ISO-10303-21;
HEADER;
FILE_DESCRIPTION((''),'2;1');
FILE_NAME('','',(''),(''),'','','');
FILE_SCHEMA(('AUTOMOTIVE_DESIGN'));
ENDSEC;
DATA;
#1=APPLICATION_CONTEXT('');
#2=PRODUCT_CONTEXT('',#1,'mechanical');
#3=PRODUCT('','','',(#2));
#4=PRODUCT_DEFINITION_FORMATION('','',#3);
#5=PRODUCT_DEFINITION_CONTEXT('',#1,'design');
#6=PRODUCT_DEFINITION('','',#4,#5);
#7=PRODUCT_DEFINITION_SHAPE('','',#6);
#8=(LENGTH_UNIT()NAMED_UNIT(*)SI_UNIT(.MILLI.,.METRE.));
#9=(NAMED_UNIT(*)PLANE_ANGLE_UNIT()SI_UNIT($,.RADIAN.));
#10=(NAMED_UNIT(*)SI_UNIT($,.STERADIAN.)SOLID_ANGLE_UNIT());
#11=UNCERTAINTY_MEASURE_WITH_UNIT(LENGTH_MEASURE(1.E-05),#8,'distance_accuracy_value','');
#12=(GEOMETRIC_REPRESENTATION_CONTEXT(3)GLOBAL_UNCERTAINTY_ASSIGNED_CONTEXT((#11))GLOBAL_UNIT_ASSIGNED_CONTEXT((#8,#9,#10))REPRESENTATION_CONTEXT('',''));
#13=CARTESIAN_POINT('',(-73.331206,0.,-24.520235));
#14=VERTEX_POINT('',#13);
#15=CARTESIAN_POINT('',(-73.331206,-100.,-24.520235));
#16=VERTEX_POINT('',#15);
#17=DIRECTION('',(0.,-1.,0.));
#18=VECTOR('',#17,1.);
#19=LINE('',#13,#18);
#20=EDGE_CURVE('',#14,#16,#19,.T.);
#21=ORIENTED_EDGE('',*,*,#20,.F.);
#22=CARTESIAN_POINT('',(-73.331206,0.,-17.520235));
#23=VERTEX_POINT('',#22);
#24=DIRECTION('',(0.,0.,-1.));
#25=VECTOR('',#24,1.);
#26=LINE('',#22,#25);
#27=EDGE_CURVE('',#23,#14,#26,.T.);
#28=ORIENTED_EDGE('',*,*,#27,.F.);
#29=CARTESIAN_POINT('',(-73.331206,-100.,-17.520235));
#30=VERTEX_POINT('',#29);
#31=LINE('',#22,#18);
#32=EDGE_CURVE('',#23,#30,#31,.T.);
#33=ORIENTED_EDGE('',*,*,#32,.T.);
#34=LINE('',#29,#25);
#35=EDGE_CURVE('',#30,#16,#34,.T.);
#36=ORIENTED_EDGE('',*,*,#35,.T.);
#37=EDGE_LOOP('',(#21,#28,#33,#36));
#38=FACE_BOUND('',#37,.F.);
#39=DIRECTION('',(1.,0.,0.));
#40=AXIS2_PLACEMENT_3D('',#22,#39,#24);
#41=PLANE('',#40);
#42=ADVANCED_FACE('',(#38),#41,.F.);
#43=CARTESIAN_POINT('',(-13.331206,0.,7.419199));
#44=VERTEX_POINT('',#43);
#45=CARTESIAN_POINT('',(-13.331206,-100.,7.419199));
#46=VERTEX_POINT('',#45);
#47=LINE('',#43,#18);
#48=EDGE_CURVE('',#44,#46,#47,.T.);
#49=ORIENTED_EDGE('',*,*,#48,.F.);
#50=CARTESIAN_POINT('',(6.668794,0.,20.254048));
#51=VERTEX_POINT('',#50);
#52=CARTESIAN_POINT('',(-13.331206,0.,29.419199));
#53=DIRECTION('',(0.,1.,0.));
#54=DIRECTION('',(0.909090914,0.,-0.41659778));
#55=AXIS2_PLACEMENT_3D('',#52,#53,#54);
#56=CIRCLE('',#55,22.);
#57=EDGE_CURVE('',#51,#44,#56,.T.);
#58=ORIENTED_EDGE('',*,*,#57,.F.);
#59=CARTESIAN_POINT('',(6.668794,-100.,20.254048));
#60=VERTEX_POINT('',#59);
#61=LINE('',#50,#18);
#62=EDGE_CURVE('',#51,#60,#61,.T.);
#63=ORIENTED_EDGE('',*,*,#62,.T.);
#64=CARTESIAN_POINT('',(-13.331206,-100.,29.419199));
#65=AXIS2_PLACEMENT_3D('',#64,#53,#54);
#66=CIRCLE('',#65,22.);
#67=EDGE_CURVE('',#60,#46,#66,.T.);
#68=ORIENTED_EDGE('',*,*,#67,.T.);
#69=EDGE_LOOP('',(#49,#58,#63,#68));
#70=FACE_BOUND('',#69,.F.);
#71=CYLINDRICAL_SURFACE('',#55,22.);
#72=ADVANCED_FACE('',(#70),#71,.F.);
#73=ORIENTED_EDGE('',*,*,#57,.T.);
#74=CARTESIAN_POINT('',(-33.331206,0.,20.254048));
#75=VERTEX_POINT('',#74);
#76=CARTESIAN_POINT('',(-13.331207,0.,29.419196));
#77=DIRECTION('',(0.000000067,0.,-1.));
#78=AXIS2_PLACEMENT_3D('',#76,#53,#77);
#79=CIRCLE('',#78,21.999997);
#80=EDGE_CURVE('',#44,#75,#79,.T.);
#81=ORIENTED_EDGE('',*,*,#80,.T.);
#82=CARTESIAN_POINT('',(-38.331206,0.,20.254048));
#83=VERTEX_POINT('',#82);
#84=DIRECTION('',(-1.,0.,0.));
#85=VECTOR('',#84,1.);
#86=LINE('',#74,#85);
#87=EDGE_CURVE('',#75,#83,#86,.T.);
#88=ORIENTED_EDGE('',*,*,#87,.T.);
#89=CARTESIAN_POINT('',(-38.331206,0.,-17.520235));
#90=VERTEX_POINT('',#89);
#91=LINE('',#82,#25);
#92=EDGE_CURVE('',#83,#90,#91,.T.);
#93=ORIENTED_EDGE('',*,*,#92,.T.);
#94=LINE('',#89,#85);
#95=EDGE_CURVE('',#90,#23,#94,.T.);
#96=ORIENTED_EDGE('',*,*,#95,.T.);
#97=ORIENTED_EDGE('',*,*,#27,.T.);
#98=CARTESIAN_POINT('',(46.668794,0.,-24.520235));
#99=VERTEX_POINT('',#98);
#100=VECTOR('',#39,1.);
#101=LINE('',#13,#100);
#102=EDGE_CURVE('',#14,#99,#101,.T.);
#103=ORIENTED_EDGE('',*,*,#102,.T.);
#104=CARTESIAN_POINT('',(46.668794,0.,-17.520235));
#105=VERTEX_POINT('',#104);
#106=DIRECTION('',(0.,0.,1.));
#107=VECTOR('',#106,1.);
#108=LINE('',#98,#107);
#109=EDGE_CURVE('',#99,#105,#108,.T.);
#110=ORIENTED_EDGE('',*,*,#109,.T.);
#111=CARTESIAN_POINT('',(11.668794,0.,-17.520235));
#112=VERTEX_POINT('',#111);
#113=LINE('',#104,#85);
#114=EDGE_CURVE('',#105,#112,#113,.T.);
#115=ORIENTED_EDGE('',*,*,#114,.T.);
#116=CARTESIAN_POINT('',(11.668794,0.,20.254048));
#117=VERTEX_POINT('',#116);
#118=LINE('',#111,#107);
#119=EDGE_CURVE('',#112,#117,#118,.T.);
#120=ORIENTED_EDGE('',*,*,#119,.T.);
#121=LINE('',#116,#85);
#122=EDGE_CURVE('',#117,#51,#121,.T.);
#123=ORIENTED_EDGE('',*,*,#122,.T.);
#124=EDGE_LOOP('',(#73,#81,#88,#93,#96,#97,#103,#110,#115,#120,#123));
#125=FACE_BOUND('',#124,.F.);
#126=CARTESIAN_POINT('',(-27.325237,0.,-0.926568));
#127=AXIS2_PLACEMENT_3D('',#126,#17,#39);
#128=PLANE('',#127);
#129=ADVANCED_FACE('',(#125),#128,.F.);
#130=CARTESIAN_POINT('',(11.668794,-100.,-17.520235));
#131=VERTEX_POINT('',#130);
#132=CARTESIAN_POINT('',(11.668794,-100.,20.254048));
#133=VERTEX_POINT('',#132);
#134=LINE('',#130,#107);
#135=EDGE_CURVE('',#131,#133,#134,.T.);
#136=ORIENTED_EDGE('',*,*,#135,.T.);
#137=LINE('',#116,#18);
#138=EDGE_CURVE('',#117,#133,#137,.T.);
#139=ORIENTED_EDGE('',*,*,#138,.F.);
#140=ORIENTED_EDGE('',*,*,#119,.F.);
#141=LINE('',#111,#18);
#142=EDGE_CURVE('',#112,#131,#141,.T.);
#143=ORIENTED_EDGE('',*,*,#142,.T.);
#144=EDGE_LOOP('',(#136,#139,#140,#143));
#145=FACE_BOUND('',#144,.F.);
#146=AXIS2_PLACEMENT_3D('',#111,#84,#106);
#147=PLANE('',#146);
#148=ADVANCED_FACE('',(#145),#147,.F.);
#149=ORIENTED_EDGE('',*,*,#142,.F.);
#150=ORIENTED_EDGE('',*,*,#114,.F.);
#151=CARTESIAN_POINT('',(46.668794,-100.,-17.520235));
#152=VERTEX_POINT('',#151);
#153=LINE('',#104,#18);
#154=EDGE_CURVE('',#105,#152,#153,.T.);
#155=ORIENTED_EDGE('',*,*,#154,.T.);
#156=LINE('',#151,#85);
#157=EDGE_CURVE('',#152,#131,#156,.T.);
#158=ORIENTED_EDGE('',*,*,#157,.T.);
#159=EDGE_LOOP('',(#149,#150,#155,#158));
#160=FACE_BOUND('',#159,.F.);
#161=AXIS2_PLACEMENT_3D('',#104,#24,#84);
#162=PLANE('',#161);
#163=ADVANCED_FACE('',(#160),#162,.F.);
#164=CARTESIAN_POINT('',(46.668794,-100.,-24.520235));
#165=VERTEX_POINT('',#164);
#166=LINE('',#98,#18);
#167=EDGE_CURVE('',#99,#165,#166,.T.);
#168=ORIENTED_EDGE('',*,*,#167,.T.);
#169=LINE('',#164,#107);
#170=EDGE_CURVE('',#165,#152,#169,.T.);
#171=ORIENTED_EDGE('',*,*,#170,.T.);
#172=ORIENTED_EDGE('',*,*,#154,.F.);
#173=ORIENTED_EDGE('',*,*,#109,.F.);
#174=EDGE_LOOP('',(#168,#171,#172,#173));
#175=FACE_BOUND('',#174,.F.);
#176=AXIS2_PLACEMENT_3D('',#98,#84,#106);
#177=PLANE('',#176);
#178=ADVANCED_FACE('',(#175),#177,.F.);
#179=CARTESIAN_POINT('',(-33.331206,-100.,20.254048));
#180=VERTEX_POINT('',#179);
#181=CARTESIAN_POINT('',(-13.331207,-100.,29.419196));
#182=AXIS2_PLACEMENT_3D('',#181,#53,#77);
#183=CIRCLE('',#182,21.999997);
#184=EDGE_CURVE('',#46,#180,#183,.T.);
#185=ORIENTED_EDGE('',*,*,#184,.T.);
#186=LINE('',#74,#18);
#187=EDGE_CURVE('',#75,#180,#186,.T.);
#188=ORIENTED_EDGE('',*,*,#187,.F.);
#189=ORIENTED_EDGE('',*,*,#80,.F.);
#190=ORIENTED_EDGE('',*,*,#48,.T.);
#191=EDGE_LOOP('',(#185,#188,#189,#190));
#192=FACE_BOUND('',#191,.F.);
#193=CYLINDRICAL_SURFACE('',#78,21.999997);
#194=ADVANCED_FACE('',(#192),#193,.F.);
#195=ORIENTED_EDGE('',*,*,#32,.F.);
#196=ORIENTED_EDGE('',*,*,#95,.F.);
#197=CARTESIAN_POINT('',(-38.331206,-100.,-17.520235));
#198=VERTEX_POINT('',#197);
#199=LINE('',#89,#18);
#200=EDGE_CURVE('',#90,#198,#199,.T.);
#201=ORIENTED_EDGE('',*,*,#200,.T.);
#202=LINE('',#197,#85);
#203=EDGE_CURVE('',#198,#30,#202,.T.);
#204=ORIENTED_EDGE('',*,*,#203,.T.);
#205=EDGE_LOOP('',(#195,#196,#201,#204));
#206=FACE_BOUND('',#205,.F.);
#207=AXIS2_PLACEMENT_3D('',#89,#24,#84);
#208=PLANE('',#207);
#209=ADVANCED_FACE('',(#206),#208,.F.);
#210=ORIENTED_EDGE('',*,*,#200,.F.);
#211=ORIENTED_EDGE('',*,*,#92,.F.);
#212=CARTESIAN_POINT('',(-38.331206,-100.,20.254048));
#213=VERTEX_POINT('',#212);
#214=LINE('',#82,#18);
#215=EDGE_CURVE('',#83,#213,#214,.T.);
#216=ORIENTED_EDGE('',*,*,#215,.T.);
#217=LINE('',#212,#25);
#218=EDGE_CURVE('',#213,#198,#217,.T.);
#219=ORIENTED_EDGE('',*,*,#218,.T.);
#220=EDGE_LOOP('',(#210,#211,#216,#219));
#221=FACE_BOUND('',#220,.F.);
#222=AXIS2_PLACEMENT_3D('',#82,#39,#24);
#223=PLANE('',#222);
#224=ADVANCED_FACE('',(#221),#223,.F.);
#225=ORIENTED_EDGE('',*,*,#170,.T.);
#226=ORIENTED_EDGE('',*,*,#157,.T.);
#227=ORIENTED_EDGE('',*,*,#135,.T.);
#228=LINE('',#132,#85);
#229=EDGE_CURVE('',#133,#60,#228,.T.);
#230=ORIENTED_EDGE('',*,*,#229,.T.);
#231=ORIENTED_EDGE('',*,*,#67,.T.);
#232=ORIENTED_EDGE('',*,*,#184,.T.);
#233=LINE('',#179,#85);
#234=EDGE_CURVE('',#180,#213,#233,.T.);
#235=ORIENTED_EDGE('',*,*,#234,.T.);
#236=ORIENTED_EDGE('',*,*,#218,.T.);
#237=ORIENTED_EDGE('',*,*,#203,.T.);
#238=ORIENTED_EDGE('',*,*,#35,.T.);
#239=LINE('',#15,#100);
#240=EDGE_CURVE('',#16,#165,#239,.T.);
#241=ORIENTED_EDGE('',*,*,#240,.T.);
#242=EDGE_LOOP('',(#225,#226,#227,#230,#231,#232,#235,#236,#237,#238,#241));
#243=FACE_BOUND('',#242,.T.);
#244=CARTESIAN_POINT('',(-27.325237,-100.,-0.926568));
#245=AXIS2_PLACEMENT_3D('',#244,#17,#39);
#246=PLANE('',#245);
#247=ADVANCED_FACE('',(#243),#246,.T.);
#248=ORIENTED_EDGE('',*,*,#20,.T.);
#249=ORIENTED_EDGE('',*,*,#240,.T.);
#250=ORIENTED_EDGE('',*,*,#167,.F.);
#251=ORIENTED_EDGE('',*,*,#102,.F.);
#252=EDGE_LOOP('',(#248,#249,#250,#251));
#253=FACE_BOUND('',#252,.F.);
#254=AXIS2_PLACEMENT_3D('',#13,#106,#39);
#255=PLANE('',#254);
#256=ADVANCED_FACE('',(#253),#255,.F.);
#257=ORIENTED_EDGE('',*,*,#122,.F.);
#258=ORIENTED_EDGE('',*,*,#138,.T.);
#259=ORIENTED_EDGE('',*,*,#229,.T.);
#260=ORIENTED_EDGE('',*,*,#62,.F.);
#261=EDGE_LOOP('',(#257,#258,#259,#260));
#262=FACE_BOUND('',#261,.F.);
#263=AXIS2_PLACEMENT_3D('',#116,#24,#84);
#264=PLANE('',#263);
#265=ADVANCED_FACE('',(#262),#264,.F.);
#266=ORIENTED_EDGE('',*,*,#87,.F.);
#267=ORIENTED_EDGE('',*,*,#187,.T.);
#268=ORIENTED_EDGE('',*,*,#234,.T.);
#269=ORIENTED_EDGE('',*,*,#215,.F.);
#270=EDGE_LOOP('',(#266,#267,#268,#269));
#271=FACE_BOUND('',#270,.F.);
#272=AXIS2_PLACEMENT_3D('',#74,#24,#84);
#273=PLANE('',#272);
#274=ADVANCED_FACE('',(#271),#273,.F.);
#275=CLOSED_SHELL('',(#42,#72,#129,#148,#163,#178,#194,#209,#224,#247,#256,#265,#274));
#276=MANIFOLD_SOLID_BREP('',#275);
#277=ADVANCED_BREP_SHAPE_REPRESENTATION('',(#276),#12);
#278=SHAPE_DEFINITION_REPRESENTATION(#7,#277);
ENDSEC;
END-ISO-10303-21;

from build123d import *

# Parameters (mm, degrees)
F1_DEPTH = 100


with BuildPart() as f1:
    # F0 (on Front) → F1 (new body)
    with BuildSketch(Plane.XZ):
        with BuildLine():
            Line((-38.331206, 20.254048), (-38.331206, -17.520235))
            Line((-38.331206, -17.520235), (-13.331206, -17.520235))
            Line((-13.331206, -17.520235), (-13.331206, 7.419199))
            ThreePointArc((-13.331206, 7.419199), (-25.213266, 10.90389), (-33.331206, 20.254048))
            Line((-33.331206, 20.254048), (-38.331206, 20.254048))
        make_face()
        with BuildLine():
            Line((-13.331206, 7.419199), (-13.331206, -17.520235))
            Line((-13.331206, -17.520235), (11.668794, -17.520235))
            Line((11.668794, -17.520235), (11.668794, 20.254048))
            Line((11.668794, 20.254048), (6.668794, 20.254048))
            ThreePointArc((6.668794, 20.254048), (-1.449147, 10.90389), (-13.331206, 7.419199))
        make_face()
        Polygon((-38.331206, -17.520235), (-73.331206, -17.520235), (-73.331206, -24.520235), (46.668794, -24.520235), (46.668794, -17.520235), (11.668794, -17.520235), (-13.331206, -17.520235), align=None)
    extrude(amount=F1_DEPTH)


solid = f1.part
